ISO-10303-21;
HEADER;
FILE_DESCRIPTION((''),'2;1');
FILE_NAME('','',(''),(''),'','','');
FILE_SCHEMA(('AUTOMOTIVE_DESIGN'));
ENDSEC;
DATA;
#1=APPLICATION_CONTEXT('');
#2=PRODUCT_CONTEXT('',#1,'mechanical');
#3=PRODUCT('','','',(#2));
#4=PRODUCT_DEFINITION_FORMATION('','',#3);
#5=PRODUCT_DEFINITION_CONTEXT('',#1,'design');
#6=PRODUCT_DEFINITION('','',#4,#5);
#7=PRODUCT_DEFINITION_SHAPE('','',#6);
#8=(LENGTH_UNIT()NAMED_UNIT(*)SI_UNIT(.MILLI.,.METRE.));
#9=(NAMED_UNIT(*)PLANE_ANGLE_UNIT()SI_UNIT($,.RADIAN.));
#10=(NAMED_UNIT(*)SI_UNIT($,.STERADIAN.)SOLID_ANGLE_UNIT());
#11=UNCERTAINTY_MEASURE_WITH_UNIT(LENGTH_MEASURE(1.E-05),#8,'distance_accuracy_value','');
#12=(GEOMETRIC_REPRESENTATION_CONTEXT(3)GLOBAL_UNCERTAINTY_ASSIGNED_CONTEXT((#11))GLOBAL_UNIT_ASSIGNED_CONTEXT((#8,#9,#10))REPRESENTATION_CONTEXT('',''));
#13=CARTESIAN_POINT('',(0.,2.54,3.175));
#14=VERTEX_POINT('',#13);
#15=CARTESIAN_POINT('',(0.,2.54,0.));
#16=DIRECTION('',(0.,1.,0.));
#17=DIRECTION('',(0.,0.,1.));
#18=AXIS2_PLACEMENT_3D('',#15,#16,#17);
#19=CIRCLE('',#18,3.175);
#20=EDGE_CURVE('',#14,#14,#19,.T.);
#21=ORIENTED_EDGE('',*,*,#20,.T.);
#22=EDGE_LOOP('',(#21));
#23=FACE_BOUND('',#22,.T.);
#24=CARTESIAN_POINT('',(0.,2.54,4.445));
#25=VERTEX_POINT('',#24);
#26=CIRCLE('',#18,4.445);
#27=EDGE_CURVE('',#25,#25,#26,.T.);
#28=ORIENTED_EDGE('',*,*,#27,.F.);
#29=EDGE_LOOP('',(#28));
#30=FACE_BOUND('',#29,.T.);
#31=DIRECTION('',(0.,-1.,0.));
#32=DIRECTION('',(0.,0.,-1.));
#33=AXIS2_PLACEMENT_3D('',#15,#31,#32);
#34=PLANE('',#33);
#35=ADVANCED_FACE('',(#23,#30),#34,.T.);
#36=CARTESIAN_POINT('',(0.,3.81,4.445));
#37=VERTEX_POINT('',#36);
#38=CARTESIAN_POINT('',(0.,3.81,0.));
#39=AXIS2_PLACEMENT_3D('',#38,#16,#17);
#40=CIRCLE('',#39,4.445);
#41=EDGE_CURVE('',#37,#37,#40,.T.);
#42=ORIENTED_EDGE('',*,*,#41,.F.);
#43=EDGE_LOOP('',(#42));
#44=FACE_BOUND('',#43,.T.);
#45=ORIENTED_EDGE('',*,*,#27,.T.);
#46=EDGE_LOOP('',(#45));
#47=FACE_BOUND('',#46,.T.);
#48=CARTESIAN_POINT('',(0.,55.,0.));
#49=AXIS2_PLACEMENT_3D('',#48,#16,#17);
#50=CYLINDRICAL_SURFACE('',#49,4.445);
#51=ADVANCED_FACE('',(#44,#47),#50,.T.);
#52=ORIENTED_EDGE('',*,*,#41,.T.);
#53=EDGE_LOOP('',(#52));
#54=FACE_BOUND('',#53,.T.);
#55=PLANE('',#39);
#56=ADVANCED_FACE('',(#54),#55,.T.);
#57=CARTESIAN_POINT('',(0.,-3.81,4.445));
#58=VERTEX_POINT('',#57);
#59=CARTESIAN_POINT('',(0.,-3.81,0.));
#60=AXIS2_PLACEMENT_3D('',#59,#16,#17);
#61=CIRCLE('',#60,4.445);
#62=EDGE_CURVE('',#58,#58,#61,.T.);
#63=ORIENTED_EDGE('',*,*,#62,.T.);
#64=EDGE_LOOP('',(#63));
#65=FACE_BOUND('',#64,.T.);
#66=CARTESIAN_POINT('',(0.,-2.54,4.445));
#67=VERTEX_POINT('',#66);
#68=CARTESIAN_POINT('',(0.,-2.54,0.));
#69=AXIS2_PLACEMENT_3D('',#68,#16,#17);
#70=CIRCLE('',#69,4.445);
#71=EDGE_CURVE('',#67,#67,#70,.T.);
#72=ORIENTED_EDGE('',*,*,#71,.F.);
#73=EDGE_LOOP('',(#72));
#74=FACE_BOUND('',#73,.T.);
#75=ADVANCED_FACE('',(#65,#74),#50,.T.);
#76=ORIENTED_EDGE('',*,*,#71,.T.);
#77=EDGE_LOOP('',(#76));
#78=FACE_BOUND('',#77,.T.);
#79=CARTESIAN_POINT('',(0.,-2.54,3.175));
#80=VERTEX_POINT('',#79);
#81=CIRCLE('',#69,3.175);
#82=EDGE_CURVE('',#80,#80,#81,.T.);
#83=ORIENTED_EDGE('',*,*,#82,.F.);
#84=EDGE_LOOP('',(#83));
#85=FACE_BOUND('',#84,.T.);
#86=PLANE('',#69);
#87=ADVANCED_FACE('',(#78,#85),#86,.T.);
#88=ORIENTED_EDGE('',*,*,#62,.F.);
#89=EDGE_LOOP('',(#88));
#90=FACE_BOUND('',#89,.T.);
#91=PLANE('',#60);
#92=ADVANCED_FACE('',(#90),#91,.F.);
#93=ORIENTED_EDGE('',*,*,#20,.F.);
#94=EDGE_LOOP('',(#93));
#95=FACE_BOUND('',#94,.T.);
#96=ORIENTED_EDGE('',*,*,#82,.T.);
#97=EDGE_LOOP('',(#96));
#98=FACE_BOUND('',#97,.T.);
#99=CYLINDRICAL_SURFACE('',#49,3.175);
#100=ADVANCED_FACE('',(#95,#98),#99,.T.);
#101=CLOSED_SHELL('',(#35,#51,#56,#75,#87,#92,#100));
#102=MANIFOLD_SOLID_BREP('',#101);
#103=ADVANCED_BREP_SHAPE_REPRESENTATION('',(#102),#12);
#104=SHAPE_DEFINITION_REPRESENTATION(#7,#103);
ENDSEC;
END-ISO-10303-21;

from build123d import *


with BuildPart() as part:
    # Sketch1 → Revolve1 (revolve)
    with BuildSketch(Plane.XY):
        Polygon((4.445, 3.81), (0, 3.81), (0, -3.81), (4.445, -3.81), (4.445, -2.54), (3.175, -2.54), (3.175, 2.54), (4.445, 2.54), align=None)
    revolve(axis=Axis((0, 55, 0), (0, -1, 0)))


solid = part.part
